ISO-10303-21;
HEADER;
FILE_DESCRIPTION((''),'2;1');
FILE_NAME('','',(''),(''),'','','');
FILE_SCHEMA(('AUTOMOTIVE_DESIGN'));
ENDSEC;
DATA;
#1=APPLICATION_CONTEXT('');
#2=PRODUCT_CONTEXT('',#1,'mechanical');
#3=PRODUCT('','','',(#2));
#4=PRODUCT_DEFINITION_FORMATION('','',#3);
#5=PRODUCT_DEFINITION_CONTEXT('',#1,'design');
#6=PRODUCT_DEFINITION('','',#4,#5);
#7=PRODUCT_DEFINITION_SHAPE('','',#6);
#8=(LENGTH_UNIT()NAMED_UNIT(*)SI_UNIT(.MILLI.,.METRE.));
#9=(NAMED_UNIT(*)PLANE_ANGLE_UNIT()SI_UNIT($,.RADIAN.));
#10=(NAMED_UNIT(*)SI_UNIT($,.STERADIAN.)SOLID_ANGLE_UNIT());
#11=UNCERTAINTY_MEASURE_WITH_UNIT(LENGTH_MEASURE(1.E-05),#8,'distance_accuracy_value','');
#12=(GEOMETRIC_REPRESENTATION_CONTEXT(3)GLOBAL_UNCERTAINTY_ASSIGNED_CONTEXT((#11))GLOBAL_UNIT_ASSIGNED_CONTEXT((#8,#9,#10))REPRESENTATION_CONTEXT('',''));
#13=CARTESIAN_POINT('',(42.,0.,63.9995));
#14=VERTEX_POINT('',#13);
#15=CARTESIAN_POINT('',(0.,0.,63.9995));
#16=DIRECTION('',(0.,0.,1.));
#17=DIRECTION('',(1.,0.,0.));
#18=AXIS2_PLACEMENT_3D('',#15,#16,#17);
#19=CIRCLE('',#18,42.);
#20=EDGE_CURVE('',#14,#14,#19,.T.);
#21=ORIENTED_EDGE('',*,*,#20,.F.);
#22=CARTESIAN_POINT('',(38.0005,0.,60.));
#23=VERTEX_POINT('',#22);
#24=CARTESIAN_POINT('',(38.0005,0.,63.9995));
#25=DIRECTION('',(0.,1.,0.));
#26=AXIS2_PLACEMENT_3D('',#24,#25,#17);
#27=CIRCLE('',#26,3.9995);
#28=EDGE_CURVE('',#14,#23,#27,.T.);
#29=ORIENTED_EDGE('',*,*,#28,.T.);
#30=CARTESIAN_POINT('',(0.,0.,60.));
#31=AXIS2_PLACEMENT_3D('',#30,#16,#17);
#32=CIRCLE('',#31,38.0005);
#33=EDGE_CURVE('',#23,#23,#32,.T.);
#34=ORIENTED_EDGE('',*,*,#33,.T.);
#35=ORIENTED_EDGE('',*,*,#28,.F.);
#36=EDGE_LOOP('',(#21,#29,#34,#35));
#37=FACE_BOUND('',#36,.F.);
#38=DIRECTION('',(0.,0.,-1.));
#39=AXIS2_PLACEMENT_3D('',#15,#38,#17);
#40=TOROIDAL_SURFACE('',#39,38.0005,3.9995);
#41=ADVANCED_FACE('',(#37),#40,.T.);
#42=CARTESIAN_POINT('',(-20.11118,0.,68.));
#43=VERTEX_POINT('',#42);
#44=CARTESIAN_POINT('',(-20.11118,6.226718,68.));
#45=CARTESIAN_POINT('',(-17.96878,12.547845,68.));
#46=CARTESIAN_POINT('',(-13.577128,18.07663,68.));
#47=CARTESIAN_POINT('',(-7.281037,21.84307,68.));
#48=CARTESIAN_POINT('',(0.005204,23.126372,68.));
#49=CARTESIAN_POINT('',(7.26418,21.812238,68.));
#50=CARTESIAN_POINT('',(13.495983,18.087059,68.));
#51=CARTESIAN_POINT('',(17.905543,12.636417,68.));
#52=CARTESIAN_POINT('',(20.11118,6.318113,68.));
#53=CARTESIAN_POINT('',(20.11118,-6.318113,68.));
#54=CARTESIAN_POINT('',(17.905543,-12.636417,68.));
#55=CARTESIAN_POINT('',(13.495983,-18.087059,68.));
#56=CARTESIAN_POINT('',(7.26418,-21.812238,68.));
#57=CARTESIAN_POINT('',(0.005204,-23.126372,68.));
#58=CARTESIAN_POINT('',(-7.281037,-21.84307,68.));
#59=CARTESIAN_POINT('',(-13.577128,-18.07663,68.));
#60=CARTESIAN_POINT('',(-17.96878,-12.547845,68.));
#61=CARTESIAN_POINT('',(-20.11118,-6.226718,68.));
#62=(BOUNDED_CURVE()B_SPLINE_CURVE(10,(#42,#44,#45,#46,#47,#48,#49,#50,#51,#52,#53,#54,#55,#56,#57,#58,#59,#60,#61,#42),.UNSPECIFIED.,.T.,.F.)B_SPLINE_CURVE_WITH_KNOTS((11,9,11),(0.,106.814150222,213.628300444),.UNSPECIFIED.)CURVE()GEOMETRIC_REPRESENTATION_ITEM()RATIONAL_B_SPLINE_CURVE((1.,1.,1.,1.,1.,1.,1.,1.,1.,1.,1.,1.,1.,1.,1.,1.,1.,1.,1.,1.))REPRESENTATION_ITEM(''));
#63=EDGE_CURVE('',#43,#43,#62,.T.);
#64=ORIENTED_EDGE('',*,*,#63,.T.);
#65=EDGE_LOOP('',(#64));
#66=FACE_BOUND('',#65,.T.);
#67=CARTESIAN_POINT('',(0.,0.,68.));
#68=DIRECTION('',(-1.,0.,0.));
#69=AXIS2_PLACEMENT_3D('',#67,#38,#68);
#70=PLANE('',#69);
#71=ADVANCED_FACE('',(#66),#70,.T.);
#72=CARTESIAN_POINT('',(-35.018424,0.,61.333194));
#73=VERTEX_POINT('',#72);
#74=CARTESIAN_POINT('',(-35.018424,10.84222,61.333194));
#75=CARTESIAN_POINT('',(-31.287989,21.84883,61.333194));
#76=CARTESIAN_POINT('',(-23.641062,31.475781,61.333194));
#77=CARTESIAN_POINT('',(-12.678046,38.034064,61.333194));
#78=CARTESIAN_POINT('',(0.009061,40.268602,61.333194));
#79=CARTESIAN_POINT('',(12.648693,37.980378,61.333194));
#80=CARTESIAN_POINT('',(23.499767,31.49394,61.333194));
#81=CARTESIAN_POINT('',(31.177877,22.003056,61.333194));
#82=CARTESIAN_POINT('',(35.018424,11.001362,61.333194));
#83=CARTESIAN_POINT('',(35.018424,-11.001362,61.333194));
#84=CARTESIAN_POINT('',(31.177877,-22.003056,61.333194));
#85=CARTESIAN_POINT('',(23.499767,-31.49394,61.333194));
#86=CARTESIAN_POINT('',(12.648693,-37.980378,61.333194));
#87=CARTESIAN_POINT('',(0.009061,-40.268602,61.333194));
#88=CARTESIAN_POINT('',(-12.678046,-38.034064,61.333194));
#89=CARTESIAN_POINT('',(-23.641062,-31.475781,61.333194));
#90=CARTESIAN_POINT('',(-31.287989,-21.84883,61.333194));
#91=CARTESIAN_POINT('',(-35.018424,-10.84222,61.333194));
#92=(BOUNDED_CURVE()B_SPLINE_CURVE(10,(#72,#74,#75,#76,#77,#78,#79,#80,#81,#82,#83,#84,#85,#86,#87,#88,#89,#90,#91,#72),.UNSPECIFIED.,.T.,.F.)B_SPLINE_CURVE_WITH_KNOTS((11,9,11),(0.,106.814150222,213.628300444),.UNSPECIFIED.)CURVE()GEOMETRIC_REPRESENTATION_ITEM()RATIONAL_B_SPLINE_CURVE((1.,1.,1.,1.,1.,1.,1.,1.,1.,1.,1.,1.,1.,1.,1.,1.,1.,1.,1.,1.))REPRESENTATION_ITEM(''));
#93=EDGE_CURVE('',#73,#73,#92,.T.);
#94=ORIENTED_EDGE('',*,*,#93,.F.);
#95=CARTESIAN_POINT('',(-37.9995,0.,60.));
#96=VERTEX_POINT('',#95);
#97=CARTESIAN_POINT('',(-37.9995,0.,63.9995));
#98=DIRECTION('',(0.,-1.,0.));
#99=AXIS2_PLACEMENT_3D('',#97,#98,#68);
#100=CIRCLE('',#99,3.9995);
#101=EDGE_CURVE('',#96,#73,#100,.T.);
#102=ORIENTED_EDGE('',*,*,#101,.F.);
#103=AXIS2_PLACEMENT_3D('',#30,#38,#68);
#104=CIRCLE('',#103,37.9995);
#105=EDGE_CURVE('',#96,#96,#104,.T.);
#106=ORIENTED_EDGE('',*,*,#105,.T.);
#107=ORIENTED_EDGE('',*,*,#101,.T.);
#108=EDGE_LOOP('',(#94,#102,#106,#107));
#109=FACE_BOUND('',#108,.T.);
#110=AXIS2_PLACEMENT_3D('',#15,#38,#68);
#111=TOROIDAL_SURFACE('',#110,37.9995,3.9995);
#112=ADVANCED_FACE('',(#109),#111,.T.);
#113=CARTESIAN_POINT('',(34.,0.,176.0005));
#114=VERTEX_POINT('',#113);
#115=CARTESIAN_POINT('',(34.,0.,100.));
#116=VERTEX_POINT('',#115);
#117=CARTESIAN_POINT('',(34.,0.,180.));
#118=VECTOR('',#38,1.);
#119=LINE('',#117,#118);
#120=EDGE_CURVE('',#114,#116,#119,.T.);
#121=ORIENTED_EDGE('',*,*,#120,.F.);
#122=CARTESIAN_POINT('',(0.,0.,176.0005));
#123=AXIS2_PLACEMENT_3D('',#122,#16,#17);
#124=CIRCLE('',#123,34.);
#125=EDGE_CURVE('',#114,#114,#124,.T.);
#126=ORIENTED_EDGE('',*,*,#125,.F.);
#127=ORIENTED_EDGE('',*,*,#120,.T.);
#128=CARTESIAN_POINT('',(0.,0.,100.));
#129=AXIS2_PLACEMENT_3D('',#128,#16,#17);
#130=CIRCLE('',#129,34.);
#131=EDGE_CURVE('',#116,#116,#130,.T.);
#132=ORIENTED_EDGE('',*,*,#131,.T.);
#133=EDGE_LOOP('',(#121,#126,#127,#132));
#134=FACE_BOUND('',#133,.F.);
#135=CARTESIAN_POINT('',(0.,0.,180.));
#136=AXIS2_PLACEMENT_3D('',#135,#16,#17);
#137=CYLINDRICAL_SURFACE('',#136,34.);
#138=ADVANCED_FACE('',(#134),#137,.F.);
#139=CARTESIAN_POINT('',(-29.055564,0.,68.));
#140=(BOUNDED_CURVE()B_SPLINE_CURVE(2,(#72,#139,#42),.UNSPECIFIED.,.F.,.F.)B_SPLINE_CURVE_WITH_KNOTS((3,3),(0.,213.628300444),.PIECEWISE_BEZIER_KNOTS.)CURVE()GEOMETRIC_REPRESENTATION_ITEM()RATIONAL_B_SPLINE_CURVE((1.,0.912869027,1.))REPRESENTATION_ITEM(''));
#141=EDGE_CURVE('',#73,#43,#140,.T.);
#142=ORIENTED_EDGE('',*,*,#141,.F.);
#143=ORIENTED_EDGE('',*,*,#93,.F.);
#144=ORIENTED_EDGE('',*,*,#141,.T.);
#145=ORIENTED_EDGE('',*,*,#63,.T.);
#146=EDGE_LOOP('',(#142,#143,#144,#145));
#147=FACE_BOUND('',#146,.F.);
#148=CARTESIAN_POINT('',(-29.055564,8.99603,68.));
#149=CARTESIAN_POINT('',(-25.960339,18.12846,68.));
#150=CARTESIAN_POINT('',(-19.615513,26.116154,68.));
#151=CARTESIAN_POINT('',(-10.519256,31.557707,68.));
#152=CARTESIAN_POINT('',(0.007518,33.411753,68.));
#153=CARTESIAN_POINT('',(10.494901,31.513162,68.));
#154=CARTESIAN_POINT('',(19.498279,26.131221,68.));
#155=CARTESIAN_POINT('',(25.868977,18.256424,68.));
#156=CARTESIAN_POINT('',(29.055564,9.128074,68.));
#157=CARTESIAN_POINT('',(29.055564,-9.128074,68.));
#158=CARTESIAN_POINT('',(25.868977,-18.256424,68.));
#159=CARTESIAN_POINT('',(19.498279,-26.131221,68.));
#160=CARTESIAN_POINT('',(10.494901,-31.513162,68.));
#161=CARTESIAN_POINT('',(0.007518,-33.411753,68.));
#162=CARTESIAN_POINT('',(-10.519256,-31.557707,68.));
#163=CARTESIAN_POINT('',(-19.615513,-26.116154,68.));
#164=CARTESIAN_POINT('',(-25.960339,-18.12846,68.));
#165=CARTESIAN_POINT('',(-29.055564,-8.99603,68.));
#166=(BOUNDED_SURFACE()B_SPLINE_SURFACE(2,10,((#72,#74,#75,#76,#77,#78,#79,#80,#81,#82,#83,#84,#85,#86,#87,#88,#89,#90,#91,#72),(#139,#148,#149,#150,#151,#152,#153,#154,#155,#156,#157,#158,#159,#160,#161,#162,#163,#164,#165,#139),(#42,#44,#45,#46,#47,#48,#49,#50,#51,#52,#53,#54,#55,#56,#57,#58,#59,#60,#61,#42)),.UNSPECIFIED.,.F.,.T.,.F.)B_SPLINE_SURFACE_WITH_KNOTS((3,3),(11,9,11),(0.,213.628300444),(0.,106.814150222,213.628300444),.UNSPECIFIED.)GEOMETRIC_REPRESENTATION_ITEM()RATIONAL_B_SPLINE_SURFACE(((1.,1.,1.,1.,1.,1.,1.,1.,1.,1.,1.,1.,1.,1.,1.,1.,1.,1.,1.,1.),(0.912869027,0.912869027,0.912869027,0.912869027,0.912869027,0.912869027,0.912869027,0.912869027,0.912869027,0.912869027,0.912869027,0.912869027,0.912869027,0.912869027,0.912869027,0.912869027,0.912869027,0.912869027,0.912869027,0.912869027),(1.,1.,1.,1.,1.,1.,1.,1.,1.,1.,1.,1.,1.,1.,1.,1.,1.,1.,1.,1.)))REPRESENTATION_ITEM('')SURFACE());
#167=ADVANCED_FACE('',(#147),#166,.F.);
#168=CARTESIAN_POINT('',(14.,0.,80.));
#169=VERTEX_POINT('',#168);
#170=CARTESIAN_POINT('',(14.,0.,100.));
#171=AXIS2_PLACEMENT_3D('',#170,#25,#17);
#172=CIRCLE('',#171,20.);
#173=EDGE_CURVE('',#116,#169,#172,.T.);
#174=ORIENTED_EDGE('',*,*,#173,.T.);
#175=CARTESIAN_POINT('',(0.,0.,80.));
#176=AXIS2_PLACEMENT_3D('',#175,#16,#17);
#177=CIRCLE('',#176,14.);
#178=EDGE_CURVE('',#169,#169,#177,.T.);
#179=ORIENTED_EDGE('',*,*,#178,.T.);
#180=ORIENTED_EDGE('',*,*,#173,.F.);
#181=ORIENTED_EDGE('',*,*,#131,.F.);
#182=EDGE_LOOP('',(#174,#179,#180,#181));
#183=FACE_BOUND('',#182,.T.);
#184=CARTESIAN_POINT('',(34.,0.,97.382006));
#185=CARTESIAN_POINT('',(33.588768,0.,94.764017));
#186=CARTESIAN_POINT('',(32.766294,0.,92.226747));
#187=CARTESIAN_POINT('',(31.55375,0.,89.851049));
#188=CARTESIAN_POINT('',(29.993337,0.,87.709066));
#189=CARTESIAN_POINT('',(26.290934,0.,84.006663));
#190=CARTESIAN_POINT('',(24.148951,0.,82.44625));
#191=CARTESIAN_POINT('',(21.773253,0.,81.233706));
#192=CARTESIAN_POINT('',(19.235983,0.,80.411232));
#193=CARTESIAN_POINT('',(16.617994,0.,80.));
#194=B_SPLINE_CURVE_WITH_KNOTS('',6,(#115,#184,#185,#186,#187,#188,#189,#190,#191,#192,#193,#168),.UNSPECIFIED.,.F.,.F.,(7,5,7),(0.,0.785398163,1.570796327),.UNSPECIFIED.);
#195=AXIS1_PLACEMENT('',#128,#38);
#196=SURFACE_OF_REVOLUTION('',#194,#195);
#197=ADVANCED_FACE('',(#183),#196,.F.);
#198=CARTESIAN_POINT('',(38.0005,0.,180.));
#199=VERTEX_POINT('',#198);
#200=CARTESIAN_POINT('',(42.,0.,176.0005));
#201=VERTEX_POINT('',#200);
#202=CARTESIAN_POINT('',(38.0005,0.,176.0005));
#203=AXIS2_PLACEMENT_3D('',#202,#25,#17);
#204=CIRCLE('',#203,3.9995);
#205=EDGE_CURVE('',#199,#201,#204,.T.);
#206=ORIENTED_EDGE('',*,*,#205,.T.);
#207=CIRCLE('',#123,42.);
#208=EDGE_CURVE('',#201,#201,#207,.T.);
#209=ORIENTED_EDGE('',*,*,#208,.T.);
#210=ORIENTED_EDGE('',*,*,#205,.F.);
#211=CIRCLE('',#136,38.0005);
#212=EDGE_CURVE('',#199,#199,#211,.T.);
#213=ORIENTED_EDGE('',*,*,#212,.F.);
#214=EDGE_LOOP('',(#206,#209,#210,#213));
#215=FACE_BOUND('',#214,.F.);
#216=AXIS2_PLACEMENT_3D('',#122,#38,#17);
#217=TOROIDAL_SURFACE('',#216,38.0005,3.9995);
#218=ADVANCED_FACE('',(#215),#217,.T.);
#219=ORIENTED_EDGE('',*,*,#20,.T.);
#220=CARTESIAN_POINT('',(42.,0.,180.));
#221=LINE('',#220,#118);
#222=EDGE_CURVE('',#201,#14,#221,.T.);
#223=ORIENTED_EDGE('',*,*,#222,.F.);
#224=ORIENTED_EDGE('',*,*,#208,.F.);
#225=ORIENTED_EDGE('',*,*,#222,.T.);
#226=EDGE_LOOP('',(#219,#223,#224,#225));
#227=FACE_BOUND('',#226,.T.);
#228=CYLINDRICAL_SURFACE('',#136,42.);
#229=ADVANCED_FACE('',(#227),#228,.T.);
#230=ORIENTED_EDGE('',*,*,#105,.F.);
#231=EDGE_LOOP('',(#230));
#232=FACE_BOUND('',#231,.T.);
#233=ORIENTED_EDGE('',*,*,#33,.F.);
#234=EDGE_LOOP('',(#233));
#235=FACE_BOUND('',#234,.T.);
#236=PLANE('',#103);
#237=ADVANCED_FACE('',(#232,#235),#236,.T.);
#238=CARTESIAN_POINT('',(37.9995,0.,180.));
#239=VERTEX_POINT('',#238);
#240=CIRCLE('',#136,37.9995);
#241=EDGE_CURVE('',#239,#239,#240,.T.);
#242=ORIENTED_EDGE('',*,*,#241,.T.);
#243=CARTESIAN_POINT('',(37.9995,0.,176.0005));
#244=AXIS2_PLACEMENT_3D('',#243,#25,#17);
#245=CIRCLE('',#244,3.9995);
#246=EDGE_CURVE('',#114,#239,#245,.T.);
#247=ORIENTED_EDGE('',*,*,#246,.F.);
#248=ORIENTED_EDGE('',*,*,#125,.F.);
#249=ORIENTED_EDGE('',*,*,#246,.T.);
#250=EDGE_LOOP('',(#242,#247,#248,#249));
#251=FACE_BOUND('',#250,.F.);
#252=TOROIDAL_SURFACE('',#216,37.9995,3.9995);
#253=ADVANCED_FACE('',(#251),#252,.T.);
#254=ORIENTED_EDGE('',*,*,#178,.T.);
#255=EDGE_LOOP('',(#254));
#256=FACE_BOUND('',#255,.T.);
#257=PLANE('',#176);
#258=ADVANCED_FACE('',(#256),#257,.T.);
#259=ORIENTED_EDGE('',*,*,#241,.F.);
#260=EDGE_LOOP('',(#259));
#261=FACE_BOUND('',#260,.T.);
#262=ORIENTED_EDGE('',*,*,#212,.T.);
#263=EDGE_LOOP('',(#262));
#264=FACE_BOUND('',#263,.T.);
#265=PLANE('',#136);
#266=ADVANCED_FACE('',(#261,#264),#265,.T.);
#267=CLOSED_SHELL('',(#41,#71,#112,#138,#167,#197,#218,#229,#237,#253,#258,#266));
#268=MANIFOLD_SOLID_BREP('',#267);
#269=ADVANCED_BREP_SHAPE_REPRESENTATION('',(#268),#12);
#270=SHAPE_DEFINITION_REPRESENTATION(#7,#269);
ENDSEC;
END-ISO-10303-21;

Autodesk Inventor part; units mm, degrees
ref_plane "YZ Plane" through (0, 0, 0) normal (1, 0, 0) x (0, 1, 0)
ref_plane "XZ Plane" through (0, 0, 0) normal (0, 1, 0) x (-1, 0, 0)
ref_plane "XY Plane" through (0, 0, 0) normal (0, 0, 1) x (1, 0, 0)
sketch "スケッチ1" plane through (0, 0, 0) normal (0, 0, 1) x (1, 0, 0)
  line L0 (-45, 45) -> (45, 45)
  line L1 (45, 45) -> (45, -45)
  line L2 (45, -45) -> (-45, -45)
  line L3 (-45, -45) -> (-45, 45)
  point P0 (0, 0)
  point P1 (0, 45)
  point P2 (-45, 0)
  dimension "d0" = 90
  dimension "d1" = 90
extrude "押し出し1" add sketch "スケッチ1" along normal blind 180
sketch "スケッチ2" plane through (0, 0, 180) normal (0, 0, 1) x (1, 0, 0)
  point P0 (0, 0)
sketch "スケッチ3" plane through (0, 0, 180) normal (0, 0, 1) x (1, 0, 0)
  circle A0 centre (0, 0) radius 42
  dimension "d4" = 84
extrude "押し出し2" cut sketch "スケッチ3" against normal through all keep common part
sketch "スケッチ4" plane through (0, 0, 180) normal (0, 0, 1) x (1, 0, 0)
  circle A0 centre (0, 0) radius 34
  circle A1 centre (0, 0) radius 42 construction
  dimension "d7" = 8
extrude "押し出し3" cut sketch "スケッチ4" against normal blind 100
sketch "スケッチ5" plane through (0, 0, 0) normal (0, 0, -1) x (-1, 0, 0)
  circle A0 centre (0, 0) radius 42 projected
extrude "押し出し4" cut sketch "スケッチ5" against normal blind 60
fillet "フィレット1" radius 20 1 edges at (-34, 0, 80)
sketch "スケッチ6" plane through (0, 0, 60) normal (0, 0, -1) x (-1, 0, 0)
  circle A0 centre (0, 0) radius 34 projected
extrude "押し出し5" cut sketch "スケッチ6" against normal blind 8
fillet "フィレット2" radius 4 4 edges at (-42, 0, 180) (-34, 0, 180) (-42, 0, 60) (34, 0, 60)
fillet "フィレット3" radius 20 1 edges at (34, 0, 68)
equation "\"d1\" = d0"
properties part number "cup" material "アルミニウム 6061"
